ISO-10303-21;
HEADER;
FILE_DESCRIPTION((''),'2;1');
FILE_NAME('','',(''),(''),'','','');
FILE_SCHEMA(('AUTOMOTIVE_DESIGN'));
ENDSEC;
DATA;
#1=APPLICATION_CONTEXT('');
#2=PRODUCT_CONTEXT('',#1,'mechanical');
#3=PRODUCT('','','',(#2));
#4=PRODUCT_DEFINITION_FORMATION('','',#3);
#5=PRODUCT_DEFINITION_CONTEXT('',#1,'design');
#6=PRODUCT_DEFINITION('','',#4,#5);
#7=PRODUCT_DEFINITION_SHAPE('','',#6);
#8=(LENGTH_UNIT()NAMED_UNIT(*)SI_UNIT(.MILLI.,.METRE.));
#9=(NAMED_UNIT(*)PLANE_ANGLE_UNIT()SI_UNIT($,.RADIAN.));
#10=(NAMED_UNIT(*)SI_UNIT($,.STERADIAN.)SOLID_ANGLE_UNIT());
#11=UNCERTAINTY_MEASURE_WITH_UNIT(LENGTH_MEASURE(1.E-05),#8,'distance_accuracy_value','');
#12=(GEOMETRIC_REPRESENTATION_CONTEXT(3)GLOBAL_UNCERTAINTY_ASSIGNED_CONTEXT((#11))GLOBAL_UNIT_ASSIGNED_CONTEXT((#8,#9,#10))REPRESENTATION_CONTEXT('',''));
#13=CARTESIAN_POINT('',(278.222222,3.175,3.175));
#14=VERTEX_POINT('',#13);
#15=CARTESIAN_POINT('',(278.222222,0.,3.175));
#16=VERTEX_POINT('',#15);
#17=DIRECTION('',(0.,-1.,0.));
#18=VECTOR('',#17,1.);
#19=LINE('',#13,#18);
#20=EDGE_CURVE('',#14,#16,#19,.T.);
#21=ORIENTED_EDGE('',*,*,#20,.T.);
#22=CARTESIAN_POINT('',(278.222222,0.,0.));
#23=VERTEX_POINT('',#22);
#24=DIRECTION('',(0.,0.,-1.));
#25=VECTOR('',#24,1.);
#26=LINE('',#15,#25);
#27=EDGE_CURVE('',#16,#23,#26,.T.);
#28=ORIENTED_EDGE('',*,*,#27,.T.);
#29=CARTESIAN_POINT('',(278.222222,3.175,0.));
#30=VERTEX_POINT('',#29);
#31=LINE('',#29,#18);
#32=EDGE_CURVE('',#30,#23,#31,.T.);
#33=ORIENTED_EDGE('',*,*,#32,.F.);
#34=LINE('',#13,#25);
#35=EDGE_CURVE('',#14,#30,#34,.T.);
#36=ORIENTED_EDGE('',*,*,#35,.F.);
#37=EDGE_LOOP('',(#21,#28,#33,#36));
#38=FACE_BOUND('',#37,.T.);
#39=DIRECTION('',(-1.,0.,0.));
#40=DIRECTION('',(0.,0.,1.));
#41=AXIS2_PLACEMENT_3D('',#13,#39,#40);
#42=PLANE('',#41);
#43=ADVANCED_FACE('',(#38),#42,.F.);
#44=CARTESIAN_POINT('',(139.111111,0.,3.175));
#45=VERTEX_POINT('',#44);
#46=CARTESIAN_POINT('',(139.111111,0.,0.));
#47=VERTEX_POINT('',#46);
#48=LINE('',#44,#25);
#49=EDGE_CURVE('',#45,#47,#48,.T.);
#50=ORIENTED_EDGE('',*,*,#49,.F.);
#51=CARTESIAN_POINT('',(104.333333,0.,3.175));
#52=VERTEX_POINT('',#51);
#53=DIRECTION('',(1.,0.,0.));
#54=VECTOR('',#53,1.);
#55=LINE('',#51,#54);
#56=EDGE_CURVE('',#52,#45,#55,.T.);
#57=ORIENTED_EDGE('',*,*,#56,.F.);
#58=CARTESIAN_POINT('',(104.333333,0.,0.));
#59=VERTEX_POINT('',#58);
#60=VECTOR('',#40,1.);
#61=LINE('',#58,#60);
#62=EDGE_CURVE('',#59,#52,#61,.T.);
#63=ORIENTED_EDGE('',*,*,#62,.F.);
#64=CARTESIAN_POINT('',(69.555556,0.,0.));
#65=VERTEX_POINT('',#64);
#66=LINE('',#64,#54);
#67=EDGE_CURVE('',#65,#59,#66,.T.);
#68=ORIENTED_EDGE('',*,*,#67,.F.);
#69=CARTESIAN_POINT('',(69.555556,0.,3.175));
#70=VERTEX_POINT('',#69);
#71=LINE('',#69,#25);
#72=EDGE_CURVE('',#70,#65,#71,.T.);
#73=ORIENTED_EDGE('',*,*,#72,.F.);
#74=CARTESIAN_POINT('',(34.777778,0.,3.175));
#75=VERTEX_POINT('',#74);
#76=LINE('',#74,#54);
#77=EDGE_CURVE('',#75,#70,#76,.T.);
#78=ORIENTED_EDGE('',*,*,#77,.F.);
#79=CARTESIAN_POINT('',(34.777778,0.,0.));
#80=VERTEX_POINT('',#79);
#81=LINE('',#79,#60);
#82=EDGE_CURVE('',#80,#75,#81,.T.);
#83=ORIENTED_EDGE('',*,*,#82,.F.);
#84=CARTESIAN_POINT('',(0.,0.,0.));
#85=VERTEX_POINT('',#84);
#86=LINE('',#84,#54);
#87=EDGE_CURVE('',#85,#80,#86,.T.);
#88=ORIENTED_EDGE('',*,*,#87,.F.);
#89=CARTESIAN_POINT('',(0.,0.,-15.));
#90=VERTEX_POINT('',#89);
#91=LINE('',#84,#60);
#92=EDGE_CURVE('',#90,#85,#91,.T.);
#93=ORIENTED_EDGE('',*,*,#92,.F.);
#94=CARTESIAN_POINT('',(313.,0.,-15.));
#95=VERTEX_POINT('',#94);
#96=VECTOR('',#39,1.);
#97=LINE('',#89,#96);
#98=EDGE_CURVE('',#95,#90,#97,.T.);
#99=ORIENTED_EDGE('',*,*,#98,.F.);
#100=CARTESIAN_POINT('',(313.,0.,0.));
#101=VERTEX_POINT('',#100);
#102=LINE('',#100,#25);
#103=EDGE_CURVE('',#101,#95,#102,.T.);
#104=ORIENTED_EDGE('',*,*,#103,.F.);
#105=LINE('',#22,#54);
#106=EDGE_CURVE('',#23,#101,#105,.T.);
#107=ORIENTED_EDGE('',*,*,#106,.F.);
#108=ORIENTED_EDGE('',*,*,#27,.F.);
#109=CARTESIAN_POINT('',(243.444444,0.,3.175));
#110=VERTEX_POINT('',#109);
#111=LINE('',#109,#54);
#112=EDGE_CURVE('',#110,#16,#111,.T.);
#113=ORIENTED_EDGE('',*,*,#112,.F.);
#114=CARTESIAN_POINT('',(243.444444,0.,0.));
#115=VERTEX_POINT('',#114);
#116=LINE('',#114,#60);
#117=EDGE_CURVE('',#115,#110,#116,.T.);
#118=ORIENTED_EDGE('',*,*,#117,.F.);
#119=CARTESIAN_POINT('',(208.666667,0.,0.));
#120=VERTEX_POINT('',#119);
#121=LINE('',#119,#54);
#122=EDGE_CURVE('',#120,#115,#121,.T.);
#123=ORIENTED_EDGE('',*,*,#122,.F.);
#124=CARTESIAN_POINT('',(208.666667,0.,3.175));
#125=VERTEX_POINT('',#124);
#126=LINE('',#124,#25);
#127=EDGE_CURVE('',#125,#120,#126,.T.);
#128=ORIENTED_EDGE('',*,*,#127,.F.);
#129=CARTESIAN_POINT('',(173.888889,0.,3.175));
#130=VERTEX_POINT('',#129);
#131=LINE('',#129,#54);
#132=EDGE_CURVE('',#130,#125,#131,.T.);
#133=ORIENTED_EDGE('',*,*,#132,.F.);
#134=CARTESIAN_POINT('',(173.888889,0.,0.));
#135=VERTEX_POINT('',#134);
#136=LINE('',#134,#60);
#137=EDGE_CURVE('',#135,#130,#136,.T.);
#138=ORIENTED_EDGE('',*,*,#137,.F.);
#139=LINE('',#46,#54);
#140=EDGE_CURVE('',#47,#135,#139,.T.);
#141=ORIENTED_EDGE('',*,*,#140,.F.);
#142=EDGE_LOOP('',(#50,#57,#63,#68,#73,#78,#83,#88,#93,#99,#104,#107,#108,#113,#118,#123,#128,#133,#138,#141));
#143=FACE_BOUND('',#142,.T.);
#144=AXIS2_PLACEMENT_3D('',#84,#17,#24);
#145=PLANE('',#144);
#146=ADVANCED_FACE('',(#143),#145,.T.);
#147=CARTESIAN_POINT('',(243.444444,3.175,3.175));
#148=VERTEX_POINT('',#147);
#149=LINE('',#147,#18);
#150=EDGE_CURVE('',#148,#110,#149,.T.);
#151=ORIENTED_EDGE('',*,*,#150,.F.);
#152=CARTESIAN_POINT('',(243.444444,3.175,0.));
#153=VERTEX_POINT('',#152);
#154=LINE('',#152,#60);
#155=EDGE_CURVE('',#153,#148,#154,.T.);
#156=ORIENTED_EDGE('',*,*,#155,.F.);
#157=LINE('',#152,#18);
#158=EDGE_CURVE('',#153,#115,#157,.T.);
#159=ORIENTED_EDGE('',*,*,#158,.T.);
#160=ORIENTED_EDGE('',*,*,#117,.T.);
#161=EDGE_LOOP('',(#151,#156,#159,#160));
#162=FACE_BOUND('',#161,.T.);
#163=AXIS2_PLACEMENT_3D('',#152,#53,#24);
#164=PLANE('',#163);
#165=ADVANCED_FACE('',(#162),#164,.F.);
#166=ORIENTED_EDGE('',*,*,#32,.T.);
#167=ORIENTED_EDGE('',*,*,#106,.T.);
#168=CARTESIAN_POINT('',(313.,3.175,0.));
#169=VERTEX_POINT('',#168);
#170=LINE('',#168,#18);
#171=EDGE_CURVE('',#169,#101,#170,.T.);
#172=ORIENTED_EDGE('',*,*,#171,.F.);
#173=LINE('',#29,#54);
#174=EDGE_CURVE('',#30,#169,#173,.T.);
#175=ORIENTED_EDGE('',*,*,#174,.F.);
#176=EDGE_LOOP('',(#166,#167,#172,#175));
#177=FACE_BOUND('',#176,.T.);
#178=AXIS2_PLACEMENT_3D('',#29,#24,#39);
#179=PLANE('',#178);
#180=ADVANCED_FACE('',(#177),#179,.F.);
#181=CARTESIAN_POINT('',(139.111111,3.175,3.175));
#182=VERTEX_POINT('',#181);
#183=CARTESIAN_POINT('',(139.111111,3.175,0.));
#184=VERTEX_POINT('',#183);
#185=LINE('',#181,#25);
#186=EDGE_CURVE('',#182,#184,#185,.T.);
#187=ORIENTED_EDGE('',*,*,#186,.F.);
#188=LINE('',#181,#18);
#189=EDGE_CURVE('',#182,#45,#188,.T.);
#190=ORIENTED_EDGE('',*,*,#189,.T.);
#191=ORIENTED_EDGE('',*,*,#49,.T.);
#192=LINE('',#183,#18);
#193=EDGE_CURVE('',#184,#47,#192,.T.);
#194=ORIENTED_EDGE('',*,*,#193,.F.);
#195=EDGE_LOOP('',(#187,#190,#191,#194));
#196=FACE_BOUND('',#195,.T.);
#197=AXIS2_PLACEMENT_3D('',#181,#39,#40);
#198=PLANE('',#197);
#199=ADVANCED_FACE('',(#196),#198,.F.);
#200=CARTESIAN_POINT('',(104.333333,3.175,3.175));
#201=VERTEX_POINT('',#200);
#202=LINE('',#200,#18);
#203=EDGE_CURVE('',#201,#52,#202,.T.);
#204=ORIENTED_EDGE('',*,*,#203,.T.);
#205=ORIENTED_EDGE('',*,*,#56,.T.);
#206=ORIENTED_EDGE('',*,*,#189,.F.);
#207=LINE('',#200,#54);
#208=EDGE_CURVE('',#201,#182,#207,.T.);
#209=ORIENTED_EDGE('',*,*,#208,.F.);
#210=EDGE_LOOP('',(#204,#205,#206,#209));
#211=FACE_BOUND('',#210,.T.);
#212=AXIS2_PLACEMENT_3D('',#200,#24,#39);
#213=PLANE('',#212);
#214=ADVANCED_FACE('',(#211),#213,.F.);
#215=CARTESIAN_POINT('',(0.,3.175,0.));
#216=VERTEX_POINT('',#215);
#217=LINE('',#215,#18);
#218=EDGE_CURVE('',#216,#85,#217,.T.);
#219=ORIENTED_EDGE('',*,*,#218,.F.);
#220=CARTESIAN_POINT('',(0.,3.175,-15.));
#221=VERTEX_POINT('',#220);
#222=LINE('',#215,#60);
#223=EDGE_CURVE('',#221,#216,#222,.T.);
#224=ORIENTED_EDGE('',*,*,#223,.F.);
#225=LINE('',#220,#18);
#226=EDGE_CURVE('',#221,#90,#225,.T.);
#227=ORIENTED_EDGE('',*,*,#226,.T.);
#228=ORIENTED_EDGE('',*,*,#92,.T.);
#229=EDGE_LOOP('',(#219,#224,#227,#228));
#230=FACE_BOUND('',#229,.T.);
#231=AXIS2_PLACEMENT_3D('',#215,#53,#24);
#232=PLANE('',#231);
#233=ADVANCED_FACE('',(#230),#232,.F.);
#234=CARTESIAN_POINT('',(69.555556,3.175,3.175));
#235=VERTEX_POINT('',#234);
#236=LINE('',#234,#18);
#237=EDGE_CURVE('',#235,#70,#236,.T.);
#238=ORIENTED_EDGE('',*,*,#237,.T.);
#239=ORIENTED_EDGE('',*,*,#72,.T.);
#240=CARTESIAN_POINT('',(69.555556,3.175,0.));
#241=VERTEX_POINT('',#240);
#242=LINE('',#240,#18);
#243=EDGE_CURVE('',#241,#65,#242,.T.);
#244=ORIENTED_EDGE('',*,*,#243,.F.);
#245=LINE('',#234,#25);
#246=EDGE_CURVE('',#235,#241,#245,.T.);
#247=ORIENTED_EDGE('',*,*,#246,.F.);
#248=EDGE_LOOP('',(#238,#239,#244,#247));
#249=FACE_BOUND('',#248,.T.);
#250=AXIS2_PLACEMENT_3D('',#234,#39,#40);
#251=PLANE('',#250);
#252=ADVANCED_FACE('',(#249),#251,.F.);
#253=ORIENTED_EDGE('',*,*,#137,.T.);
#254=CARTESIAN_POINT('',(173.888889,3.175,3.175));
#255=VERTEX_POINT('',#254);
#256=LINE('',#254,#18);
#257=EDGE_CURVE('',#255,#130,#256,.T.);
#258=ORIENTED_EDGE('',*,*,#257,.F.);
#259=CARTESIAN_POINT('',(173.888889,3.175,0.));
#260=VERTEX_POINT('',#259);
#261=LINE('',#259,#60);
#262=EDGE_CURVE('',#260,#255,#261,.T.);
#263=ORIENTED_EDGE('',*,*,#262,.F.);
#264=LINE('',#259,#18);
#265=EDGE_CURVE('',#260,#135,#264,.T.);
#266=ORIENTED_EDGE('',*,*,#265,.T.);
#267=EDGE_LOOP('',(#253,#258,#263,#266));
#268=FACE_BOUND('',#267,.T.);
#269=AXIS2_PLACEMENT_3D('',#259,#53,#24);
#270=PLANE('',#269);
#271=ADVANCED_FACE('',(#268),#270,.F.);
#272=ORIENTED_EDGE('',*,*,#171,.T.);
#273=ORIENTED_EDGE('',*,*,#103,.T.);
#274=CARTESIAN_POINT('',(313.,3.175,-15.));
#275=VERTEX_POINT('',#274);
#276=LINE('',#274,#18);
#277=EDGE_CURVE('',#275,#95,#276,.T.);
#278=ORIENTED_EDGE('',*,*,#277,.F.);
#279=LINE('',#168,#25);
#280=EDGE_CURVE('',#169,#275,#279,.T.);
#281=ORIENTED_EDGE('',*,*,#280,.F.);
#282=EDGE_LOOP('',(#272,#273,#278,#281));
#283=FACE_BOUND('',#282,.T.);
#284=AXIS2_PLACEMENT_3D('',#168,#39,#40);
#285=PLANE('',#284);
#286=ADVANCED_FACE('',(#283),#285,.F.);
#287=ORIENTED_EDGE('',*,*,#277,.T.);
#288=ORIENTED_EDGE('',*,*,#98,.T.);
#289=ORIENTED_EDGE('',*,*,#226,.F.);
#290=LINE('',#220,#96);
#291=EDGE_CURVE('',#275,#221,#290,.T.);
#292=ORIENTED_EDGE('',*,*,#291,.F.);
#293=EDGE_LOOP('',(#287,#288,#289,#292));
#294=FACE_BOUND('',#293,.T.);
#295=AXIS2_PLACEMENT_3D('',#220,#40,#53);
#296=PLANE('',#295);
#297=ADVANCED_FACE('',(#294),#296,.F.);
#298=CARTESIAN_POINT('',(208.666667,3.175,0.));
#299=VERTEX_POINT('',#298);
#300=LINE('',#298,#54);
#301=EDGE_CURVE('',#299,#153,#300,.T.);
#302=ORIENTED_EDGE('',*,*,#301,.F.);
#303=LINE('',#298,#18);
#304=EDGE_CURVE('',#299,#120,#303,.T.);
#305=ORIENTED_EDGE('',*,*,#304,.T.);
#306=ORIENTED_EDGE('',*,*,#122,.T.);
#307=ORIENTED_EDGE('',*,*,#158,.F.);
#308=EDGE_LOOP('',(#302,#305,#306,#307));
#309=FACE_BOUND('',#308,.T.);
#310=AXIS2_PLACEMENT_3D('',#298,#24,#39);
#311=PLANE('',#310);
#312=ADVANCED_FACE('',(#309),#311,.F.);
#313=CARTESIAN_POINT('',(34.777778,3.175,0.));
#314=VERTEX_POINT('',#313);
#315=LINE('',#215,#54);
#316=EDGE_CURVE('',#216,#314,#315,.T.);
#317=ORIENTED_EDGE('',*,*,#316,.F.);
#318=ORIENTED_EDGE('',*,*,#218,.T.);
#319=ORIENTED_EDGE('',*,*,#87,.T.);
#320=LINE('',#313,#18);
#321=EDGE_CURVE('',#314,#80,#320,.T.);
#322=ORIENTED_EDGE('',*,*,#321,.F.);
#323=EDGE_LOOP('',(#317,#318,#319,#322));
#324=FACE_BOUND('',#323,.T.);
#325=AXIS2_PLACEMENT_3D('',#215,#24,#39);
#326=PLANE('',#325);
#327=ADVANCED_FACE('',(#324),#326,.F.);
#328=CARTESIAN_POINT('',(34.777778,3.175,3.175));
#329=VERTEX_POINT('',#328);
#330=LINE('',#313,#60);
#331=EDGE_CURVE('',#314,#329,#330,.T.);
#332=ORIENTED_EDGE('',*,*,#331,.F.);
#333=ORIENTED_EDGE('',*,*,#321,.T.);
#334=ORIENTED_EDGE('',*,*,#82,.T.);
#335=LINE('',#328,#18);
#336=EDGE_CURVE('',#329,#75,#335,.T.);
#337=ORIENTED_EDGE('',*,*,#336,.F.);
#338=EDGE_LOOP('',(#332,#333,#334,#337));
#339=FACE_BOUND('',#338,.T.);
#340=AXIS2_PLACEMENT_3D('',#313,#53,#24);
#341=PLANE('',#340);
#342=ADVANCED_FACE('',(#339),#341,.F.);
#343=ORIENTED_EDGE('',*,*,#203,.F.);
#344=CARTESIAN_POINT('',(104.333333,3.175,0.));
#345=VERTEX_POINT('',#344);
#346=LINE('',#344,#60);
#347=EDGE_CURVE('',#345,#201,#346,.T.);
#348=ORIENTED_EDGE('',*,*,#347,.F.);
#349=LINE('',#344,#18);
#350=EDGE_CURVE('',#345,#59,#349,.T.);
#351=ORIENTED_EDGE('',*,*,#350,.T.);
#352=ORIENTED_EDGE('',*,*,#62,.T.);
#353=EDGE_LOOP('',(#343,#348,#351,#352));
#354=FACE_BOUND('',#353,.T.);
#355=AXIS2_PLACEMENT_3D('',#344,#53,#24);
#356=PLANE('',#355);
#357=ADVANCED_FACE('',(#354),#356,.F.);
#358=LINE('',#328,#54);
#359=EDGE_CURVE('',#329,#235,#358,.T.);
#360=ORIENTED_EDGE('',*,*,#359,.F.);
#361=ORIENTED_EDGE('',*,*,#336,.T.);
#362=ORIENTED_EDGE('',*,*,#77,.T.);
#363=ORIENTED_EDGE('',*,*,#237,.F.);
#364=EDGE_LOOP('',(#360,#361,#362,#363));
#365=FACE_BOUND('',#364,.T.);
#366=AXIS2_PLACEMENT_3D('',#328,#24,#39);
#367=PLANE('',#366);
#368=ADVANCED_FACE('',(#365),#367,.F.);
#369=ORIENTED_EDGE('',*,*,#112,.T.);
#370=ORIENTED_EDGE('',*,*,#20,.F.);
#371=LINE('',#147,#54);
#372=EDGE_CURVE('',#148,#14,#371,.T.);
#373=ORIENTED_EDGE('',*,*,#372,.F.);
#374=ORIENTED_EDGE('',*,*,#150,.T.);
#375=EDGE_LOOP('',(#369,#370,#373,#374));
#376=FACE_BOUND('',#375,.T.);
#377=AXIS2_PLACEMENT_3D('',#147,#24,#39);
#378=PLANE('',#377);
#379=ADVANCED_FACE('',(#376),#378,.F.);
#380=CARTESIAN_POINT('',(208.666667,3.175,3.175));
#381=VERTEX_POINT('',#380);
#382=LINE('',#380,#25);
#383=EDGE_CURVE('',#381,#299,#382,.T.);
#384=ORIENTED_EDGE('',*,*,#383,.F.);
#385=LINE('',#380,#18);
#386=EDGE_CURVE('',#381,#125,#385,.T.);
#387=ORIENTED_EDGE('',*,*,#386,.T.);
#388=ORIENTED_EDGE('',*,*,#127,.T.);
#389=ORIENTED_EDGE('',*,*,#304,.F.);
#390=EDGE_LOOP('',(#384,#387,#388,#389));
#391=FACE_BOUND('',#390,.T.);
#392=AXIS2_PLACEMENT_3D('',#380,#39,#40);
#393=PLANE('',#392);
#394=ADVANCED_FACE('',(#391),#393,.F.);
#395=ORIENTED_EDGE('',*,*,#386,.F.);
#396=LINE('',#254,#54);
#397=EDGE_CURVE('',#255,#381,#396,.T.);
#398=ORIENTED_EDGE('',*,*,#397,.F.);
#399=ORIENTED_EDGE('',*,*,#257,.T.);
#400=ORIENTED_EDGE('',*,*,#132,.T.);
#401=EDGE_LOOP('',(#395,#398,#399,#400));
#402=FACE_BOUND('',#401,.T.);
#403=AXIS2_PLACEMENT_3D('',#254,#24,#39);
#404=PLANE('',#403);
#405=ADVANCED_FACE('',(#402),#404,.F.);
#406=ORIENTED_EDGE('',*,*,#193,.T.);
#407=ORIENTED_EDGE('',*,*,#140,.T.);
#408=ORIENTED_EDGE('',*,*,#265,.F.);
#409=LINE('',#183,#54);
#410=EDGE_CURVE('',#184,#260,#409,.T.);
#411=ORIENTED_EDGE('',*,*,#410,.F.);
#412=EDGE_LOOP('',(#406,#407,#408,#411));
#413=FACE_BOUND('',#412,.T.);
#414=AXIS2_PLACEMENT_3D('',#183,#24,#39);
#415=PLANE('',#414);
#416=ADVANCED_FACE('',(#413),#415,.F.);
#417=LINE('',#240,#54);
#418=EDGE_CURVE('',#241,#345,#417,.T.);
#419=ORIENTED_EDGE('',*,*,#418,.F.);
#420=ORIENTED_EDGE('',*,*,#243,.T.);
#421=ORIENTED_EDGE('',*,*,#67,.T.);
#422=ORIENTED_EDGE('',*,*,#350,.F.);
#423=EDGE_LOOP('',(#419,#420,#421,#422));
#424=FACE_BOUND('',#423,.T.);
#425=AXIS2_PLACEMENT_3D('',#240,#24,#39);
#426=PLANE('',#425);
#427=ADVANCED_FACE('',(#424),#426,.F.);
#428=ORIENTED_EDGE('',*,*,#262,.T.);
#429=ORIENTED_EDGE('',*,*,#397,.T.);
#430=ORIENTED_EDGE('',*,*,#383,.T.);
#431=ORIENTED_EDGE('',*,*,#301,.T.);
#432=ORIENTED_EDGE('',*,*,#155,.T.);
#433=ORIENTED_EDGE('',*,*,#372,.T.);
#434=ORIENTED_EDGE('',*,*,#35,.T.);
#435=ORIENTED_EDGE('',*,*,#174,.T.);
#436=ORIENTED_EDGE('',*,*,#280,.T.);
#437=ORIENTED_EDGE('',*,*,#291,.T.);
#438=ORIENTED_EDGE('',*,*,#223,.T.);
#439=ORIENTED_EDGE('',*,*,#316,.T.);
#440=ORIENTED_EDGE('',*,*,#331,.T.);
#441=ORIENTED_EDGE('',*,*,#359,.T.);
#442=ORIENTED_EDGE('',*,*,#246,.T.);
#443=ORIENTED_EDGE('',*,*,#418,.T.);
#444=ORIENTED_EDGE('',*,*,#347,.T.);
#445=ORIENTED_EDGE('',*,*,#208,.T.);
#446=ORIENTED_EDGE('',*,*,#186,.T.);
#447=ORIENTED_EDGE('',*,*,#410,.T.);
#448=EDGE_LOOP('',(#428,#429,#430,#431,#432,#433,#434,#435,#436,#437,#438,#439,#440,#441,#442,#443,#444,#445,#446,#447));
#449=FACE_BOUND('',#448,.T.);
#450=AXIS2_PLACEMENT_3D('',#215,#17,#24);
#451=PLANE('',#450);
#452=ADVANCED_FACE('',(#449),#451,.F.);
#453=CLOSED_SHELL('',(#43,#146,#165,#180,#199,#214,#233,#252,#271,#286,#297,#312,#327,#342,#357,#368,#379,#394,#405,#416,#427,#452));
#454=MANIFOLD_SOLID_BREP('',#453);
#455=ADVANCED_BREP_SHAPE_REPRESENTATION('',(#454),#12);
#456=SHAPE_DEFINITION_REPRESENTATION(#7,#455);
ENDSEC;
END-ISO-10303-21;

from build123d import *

# Parameters (mm, degrees)
BOSS_EXTRUDE1_DEPTH = 3.175


with BuildPart() as part:
    # Sketch1 → Boss-Extrude1 (new body)
    with BuildSketch(Plane(origin=(0, 0, 0), x_dir=(1, 0, 0), z_dir=(0, 1, 0))):
        Polygon((0, 0), (34.777777778, 0), (34.777777778, -3.175), (69.555555556, -3.175), (69.555555556, 0), (104.333333333, 0), (104.333333333, -3.175), (139.111111111, -3.175), (139.111111111, 0), (173.888888889, 0), (173.888888889, -3.175), (208.666666667, -3.175), (208.666666667, 0), (243.444444444, 0), (243.444444444, -3.175), (278.222222222, -3.175), (278.222222222, 0), (313, 0), (313, 15), (0, 15), align=None)
    extrude(amount=BOSS_EXTRUDE1_DEPTH)


solid = part.part
